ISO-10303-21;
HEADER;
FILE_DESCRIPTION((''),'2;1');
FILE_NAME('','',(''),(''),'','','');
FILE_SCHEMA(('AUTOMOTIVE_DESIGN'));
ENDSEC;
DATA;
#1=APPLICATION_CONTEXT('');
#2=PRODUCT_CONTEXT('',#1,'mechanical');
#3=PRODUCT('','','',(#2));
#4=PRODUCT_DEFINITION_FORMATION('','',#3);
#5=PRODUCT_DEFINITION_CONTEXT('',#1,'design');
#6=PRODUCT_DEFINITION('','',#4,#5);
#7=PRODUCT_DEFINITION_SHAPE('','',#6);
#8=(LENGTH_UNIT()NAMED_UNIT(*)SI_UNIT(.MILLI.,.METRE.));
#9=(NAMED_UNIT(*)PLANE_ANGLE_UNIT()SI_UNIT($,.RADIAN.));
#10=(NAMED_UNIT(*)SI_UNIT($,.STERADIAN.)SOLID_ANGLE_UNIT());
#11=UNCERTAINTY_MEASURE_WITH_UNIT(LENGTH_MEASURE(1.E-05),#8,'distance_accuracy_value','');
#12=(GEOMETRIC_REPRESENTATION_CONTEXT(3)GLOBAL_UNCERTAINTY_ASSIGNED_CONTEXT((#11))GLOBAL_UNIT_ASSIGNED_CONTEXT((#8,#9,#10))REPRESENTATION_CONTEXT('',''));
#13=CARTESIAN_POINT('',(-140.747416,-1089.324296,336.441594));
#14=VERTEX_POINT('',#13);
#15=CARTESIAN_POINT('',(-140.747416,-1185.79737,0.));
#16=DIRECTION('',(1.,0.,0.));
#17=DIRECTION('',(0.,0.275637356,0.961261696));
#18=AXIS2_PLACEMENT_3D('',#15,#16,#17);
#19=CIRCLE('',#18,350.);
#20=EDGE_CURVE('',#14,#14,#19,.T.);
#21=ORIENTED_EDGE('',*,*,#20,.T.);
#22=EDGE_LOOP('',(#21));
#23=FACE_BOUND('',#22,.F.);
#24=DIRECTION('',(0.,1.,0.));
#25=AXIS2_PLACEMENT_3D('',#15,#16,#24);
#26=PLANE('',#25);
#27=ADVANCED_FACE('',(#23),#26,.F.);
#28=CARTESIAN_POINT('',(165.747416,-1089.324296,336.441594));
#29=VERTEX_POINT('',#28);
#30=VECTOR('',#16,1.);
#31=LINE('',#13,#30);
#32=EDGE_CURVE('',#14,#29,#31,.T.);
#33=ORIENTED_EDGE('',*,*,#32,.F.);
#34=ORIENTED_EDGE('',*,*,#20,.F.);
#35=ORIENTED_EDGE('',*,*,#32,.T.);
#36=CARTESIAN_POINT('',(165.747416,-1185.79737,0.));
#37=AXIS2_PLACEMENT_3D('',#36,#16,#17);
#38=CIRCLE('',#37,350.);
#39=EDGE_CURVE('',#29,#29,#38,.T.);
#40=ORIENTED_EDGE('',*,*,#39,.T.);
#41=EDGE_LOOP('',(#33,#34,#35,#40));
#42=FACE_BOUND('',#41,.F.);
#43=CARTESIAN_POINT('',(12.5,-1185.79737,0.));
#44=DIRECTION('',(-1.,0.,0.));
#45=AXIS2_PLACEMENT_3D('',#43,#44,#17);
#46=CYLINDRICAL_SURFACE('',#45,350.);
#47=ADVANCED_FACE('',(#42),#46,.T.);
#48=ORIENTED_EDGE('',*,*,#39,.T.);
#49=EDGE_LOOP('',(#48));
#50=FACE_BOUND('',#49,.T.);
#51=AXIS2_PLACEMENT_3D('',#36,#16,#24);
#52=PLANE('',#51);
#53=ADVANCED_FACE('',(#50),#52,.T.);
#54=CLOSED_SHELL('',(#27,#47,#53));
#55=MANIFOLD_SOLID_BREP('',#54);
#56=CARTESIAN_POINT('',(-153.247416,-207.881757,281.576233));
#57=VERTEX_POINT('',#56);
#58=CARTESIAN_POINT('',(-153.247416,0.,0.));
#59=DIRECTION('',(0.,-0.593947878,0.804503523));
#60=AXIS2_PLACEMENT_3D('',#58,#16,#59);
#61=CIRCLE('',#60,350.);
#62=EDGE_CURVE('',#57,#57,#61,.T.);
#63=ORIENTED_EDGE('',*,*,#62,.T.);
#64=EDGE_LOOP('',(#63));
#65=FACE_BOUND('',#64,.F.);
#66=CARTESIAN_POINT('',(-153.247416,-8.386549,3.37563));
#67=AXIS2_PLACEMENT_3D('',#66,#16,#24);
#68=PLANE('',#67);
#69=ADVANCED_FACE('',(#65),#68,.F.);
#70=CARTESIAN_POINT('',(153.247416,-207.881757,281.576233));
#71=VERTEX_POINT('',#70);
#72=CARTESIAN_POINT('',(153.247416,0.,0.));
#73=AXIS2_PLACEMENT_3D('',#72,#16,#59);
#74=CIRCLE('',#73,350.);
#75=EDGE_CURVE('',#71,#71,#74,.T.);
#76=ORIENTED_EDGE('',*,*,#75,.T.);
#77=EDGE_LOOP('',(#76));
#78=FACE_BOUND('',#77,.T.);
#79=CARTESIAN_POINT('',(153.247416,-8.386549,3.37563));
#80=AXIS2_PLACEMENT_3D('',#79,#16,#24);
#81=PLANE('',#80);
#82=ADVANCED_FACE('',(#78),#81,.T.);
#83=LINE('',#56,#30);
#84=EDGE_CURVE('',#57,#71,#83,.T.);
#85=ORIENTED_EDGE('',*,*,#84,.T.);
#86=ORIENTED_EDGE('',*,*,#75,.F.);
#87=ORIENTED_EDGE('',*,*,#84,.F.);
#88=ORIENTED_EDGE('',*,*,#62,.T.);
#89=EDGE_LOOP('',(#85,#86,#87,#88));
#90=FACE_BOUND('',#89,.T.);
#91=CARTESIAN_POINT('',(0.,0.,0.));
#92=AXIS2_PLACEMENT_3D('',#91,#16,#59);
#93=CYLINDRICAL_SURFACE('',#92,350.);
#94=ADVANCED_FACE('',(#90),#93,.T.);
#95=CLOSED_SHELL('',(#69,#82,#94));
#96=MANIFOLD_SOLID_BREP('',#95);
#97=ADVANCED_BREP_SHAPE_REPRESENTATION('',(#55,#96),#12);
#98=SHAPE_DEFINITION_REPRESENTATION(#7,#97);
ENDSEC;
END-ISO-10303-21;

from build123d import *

# Parameters (mm, degrees)
F1_DEPTH = 12.5
F2_DEPTH = 153.2474160194


with BuildPart() as f1:
    # F0 (on Right) → F1 (new body, symmetric)
    with BuildSketch(Plane.YZ):
        with BuildLine():
            ThreePointArc((-835.7973701247, 0), (-906.2749416081, 210.6352581032), (-1089.3242955887, 336.4415935784))
            ThreePointArc((-1089.3242955887, 336.4415935784), (-1465.3197986413, -210.6352581032), (-835.7973701247, 0))
        make_face()
    extrude(amount=F1_DEPTH, both=True)

    # F1_face (on face) + F0 (on Right) → F2 (join, symmetric)
    with BuildSketch(Plane(origin=(12.5, -1185.7973701247, 0), x_dir=(0, 1, 0), z_dir=(1, 0, 0))):
        with BuildLine():
            ThreePointArc((350, 0), (279.5224285166, 210.6352581032), (96.473074536, 336.4415935784))
            ThreePointArc((96.473074536, 336.4415935784), (-279.5224285166, -210.6352581032), (350, 0))
        make_face()
    with BuildSketch(Plane.YZ):
        with BuildLine():
            ThreePointArc((-344.9836036257, -59.045010199), (29.6288603476, -348.7436460131), (350, 0))
            ThreePointArc((350, 0), (157.7044466206, 312.456889052), (-207.8817572348, 281.5762330329))
            Line((-207.8817572347, 281.5762330329), (0, 0))
            Line((0, 0), (-344.9836036257, -59.045010199))
        make_face()
        with BuildLine():
            Line((0, 0), (-207.8817572347, 281.5762330329))
            ThreePointArc((-207.8817572348, 281.5762330329), (-324.6855935287, 130.6876633617), (-344.9836036257, -59.045010199))
            Line((-344.9836036257, -59.045010199), (0, 0))
        make_face()
    extrude(amount=F2_DEPTH, both=True)


solid = f1.part
